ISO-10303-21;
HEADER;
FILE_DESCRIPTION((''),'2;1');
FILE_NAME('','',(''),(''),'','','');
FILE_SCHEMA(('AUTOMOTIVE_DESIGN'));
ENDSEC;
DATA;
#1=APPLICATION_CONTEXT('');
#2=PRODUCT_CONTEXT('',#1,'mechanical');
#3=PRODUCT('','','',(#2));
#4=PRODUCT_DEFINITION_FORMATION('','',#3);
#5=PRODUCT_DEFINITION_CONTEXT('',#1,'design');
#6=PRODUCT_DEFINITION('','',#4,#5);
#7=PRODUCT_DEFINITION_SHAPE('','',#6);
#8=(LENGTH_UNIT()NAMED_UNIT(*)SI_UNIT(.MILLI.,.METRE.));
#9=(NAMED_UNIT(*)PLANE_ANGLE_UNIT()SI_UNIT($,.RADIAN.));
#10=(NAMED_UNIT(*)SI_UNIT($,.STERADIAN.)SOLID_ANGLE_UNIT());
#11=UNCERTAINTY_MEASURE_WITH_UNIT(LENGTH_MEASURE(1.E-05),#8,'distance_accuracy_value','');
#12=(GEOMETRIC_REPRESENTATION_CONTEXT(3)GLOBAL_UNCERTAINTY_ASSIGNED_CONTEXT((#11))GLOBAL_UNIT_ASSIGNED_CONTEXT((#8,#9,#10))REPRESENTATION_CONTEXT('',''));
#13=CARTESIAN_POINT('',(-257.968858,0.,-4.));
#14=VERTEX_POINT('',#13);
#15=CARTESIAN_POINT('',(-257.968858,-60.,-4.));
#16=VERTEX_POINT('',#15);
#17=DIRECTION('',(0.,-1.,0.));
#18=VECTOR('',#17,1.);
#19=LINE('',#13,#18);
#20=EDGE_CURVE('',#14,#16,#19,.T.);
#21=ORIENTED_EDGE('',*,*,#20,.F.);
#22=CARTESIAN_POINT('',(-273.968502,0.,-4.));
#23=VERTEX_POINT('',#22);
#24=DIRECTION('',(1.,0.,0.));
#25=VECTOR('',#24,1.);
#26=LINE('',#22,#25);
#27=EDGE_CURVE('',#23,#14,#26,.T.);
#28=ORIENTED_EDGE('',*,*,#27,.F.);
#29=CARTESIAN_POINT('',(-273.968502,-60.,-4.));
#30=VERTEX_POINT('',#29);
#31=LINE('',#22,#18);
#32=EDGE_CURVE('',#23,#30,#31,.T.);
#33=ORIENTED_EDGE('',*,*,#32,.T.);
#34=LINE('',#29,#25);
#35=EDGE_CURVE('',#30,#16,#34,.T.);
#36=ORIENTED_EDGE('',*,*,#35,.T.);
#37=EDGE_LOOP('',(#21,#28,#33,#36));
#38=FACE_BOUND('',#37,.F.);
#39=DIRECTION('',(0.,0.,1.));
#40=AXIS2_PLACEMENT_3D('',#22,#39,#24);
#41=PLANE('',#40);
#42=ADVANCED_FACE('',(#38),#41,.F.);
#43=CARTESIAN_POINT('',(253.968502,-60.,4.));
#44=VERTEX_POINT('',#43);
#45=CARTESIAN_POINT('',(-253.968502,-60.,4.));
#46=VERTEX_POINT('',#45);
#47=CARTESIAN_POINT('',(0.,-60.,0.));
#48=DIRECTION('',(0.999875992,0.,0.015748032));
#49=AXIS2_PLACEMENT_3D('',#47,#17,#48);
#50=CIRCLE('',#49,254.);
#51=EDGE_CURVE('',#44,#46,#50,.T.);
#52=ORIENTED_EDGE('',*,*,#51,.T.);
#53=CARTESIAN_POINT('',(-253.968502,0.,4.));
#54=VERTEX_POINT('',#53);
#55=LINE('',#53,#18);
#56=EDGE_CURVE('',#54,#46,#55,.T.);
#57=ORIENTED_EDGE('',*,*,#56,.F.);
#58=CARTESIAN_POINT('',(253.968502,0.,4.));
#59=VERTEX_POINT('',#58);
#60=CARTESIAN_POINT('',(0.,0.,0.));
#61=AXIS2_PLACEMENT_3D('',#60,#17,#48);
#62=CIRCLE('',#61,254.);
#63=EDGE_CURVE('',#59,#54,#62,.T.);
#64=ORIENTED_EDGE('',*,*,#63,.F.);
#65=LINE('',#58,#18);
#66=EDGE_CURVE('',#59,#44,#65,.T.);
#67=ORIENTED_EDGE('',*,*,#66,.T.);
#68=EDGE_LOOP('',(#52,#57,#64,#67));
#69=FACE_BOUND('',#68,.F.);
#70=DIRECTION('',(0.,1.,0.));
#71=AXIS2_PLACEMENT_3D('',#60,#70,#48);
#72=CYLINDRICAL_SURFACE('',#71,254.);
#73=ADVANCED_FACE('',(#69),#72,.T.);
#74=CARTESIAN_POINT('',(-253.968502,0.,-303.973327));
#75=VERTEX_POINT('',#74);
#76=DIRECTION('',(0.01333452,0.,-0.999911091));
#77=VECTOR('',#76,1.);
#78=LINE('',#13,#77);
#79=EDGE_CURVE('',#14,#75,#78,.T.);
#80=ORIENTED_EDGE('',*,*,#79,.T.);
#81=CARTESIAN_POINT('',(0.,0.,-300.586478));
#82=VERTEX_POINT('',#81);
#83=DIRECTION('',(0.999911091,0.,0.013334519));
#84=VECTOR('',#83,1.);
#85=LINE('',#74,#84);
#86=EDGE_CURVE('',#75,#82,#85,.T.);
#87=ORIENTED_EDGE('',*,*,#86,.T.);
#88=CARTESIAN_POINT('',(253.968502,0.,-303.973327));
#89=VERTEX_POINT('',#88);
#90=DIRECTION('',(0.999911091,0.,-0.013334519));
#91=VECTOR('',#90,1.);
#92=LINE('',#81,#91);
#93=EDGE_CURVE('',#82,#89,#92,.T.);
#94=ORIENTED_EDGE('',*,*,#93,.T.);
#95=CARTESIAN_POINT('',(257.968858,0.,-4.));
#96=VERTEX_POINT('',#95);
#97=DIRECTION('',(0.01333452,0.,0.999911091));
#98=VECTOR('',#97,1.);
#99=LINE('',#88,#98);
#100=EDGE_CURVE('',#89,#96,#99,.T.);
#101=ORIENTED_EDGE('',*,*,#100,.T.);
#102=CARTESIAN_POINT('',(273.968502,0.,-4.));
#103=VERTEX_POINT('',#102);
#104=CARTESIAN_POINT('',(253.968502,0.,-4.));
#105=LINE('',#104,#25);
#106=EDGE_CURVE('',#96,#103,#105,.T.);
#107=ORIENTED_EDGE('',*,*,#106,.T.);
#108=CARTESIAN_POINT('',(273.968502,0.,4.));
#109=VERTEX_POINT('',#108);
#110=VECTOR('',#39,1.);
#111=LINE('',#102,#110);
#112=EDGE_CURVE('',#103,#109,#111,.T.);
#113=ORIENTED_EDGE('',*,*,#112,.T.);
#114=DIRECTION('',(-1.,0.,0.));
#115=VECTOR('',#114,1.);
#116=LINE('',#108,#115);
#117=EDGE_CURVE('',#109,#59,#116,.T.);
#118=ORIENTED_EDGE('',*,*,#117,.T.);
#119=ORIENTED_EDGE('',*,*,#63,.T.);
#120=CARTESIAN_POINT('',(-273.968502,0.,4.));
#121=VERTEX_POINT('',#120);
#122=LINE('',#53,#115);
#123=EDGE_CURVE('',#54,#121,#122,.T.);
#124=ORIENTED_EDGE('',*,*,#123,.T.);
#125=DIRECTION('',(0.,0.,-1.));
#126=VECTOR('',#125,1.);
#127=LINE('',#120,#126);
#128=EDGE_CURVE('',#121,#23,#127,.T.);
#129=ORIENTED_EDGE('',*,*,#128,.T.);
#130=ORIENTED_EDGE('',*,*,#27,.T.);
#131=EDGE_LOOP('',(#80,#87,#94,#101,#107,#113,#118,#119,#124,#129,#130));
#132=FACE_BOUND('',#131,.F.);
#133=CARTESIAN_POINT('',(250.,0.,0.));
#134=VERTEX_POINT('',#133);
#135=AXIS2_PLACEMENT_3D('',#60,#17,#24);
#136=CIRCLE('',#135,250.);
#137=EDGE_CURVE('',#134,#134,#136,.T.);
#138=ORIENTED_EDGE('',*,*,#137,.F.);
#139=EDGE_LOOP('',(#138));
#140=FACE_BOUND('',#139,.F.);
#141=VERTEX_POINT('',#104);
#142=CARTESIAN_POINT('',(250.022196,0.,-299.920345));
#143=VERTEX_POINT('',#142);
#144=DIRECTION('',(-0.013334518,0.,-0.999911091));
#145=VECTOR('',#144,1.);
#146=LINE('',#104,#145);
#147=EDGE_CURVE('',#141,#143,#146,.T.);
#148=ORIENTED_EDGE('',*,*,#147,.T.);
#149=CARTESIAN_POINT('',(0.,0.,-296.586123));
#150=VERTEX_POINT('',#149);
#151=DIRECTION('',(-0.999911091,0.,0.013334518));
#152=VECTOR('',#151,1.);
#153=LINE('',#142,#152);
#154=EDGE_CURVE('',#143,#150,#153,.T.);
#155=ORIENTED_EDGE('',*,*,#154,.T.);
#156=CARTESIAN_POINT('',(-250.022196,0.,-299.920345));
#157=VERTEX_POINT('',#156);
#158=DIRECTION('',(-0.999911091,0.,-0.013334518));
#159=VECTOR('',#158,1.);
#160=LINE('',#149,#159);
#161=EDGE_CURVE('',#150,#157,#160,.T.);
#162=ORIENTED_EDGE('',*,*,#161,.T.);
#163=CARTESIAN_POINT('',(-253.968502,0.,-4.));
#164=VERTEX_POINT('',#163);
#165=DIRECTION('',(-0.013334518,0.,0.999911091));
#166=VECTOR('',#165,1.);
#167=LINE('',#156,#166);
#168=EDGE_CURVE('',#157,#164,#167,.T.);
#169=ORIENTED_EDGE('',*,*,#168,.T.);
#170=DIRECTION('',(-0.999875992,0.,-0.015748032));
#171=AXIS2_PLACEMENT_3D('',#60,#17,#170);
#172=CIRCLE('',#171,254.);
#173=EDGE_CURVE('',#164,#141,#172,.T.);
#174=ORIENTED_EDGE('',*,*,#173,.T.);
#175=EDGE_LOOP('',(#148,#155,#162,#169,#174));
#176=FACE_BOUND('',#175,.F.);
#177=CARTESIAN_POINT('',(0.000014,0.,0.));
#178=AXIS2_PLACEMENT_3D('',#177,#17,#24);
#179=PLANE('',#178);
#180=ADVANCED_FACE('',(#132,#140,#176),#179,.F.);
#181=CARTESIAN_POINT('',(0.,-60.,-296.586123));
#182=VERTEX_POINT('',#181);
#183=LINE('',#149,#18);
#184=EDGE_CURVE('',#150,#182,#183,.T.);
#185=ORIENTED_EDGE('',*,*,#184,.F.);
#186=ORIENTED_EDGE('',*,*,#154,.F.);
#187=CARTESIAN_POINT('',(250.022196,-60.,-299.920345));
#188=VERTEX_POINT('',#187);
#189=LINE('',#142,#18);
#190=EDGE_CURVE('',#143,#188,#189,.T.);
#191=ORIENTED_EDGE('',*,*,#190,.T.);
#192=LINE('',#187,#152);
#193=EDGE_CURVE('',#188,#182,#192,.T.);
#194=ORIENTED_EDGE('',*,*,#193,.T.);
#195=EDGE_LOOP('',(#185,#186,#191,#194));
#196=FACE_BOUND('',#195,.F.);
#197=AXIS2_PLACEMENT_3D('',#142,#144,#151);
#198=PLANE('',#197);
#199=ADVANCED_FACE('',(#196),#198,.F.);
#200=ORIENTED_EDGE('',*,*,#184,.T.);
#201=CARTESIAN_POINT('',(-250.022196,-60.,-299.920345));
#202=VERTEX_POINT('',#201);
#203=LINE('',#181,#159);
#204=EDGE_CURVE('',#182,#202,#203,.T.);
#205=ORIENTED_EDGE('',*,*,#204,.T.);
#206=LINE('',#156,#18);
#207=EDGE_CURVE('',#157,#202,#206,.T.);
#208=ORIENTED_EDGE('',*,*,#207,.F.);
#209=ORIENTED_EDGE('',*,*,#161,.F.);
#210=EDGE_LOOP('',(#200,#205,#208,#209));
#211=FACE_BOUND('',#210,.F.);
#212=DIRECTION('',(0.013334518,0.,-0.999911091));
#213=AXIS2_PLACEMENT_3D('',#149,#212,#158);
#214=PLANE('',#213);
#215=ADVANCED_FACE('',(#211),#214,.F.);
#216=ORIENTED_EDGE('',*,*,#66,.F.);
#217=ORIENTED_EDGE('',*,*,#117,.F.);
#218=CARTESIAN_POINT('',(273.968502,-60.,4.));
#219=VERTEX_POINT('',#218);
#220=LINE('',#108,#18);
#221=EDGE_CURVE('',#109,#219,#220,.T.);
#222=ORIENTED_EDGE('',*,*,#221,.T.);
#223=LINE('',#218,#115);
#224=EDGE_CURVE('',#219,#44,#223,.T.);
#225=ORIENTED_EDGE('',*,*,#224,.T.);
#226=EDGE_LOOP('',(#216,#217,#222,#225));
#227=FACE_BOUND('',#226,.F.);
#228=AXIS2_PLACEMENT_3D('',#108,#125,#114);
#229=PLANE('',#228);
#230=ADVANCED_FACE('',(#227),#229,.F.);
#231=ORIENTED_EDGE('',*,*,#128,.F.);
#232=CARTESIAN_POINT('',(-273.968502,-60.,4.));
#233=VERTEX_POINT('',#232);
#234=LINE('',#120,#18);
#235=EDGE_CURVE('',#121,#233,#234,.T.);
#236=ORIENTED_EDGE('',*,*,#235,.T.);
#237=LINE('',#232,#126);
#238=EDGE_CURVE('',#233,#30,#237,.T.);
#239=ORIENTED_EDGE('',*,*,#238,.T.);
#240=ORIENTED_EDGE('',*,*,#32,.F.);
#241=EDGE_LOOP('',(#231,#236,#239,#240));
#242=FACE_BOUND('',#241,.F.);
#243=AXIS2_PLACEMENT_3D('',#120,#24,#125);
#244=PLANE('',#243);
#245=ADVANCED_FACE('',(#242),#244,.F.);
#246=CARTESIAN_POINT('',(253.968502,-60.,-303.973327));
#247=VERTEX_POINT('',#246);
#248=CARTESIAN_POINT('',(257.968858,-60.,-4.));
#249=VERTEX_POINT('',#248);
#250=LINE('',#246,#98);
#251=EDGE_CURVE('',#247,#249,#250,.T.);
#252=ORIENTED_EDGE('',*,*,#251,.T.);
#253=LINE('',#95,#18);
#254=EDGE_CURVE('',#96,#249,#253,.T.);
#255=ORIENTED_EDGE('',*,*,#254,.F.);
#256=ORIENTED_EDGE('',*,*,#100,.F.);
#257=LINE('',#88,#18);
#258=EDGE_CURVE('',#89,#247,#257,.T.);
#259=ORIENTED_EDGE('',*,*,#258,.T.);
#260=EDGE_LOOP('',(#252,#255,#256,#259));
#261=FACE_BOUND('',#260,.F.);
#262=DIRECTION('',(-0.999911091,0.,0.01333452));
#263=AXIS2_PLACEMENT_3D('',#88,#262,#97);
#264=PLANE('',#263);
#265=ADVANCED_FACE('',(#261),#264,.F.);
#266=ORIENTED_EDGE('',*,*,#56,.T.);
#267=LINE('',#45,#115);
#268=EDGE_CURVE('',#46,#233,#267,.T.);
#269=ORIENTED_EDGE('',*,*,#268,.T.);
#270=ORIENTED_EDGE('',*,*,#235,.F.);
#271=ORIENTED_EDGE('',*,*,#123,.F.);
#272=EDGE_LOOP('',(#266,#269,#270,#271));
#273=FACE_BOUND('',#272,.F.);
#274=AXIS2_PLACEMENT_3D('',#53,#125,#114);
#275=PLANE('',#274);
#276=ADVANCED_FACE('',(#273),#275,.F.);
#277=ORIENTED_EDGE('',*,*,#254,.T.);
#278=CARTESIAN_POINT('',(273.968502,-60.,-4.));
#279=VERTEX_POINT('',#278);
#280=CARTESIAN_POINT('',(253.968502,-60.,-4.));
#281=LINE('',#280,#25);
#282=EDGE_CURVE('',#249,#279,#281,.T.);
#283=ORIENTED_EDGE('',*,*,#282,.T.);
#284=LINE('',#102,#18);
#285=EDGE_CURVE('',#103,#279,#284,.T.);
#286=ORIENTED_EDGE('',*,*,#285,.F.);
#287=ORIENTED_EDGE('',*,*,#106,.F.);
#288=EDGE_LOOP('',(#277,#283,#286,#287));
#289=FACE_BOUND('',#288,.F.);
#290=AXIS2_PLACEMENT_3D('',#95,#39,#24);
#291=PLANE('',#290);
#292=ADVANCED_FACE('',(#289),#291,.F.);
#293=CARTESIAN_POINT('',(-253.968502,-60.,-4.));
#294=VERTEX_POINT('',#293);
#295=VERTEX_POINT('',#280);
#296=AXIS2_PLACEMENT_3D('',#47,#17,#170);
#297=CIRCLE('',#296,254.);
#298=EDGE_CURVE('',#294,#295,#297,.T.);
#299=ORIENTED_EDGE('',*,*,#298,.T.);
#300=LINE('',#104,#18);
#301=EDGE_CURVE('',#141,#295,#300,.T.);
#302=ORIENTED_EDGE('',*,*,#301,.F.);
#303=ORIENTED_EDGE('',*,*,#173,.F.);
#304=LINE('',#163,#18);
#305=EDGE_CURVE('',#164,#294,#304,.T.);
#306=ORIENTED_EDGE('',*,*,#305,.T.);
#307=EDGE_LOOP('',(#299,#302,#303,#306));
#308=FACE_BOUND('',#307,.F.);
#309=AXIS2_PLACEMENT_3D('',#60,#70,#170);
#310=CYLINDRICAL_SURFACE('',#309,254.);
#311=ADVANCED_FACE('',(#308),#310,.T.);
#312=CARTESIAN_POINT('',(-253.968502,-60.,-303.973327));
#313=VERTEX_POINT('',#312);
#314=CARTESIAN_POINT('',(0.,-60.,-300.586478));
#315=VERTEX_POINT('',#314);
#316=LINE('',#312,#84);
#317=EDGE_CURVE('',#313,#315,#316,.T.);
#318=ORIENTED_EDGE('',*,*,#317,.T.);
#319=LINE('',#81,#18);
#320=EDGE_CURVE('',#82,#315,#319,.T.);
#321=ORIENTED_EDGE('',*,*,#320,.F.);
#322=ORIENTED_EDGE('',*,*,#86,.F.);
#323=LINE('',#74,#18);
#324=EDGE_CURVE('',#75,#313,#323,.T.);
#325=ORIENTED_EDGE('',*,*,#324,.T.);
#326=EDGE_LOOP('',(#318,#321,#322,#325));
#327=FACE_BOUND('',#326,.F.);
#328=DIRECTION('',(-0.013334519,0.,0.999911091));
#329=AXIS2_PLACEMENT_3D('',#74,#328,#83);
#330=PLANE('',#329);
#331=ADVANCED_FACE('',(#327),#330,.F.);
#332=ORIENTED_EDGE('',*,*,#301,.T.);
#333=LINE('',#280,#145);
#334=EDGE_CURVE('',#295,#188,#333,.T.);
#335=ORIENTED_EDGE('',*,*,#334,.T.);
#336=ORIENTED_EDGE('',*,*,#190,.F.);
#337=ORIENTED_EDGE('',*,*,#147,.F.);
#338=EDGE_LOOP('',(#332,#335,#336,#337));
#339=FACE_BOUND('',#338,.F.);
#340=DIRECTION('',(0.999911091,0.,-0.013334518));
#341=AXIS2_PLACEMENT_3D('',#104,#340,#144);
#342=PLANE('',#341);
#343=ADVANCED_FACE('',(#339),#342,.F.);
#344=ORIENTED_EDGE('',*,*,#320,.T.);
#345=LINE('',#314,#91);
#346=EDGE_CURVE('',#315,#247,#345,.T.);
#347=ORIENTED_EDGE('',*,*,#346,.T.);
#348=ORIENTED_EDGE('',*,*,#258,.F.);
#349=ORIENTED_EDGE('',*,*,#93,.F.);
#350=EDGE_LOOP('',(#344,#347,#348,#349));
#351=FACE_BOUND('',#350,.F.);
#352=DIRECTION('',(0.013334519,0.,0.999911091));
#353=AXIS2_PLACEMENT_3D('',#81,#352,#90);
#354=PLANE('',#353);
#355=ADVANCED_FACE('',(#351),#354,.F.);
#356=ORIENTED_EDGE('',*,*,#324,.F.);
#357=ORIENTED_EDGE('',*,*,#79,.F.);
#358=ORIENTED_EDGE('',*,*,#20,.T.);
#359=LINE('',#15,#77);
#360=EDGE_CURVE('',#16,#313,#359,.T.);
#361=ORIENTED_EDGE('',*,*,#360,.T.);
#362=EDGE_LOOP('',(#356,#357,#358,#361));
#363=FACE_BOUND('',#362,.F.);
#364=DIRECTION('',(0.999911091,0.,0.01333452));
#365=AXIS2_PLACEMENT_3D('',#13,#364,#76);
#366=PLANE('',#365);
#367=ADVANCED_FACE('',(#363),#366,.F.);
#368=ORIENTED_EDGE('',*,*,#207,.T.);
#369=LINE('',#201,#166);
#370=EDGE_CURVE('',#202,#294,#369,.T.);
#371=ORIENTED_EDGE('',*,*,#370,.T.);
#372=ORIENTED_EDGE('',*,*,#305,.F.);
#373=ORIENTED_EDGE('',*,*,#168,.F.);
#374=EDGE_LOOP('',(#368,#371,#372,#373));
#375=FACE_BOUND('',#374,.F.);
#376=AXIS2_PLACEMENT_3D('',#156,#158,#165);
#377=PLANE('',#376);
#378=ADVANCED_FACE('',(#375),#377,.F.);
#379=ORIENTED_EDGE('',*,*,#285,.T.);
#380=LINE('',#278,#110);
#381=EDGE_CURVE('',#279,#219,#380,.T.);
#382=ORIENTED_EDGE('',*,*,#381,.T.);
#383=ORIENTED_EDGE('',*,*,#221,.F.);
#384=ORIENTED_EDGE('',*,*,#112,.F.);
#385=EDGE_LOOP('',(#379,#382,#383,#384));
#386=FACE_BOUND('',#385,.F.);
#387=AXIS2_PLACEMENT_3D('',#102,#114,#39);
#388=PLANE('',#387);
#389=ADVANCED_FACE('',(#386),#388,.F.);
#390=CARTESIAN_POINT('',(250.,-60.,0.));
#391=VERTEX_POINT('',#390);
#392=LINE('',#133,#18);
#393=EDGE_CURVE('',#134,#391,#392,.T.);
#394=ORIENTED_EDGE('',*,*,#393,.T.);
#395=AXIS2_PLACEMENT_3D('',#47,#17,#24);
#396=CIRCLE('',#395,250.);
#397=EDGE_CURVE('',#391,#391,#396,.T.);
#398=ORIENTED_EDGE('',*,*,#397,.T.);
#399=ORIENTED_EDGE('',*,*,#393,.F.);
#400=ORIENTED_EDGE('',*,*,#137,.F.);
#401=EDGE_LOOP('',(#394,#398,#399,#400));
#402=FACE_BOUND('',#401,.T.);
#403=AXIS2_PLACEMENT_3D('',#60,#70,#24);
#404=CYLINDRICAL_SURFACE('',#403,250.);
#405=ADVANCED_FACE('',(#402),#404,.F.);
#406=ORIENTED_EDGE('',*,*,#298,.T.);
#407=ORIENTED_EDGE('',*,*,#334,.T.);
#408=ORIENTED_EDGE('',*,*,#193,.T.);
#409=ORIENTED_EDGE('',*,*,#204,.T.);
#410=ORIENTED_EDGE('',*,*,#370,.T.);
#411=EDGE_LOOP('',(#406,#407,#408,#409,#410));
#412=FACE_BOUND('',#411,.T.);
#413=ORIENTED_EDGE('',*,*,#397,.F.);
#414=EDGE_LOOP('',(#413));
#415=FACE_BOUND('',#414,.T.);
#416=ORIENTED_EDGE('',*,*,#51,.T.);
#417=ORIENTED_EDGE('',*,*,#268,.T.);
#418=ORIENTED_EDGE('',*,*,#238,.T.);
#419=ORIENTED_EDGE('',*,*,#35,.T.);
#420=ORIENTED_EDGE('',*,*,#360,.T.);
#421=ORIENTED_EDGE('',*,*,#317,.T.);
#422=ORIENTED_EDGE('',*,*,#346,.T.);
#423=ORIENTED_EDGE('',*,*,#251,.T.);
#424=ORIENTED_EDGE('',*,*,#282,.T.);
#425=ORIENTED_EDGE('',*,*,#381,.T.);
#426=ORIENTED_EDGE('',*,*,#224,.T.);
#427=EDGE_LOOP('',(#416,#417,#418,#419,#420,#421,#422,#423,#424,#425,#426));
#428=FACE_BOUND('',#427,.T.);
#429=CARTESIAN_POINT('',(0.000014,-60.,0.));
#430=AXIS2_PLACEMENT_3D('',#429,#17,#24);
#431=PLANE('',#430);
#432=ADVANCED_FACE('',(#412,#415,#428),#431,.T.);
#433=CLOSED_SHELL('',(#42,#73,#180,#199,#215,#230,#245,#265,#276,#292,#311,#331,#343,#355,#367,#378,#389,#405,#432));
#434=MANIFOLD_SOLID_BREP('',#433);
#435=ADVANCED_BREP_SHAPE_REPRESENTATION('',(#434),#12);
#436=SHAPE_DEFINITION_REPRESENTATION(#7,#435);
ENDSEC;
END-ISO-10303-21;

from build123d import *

# Parameters (mm, degrees)
F0_R     = 250
F1_DEPTH = 60


with BuildPart() as f1:
    # F0 (on Front) → F1 (new body)
    with BuildSketch(Plane.XZ):
        with BuildLine():
            ThreePointArc((253.968502, -4), (253.992125, -2.000062), (254, 0))
            ThreePointArc((254, 0), (253.992125, 2.000062), (253.968502, 4))
            ThreePointArc((253.968502, 4), (0, 254), (-253.968502, 4))
            ThreePointArc((-253.968502, 4), (-254, 0), (-253.968502, -4))
            ThreePointArc((-253.968502, -4), (0, -254), (253.968502, -4))
        make_face()
        Circle(F0_R, mode=Mode.SUBTRACT)
        with BuildLine():
            ThreePointArc((253.968502, 4), (253.992125, 2.000062), (254, 0))
            ThreePointArc((254, 0), (253.992125, -2.000062), (253.968502, -4))
            Line((253.968502, -4), (257.968858, -4))
            Line((257.968858, -4), (273.968502, -4))
            Line((273.968502, -4), (273.968502, 0))
            Line((273.968502, 0), (273.968502, 4))
            Line((273.968502, 4), (253.968502, 4))
        make_face()
        Polygon((257.968858, -4), (253.968502, -4), (250.022196, -299.920345), (0, -296.586123), (-250.022196, -299.920345), (-253.968502, -4), (-257.968858, -4), (-253.968502, -303.973327), (0, -300.586478), (253.968502, -303.973327), align=None)
        with BuildLine():
            ThreePointArc((-253.968502, -4), (-254, 0), (-253.968502, 4))
            Line((-253.968502, 4), (-273.968502, 4))
            Line((-273.968502, 4), (-273.968502, 0))
            Line((-273.968502, 0), (-273.968502, -4))
            Line((-273.968502, -4), (-257.968858, -4))
            Line((-257.968858, -4), (-253.968502, -4))
        make_face()
    extrude(amount=F1_DEPTH)


solid = f1.part
